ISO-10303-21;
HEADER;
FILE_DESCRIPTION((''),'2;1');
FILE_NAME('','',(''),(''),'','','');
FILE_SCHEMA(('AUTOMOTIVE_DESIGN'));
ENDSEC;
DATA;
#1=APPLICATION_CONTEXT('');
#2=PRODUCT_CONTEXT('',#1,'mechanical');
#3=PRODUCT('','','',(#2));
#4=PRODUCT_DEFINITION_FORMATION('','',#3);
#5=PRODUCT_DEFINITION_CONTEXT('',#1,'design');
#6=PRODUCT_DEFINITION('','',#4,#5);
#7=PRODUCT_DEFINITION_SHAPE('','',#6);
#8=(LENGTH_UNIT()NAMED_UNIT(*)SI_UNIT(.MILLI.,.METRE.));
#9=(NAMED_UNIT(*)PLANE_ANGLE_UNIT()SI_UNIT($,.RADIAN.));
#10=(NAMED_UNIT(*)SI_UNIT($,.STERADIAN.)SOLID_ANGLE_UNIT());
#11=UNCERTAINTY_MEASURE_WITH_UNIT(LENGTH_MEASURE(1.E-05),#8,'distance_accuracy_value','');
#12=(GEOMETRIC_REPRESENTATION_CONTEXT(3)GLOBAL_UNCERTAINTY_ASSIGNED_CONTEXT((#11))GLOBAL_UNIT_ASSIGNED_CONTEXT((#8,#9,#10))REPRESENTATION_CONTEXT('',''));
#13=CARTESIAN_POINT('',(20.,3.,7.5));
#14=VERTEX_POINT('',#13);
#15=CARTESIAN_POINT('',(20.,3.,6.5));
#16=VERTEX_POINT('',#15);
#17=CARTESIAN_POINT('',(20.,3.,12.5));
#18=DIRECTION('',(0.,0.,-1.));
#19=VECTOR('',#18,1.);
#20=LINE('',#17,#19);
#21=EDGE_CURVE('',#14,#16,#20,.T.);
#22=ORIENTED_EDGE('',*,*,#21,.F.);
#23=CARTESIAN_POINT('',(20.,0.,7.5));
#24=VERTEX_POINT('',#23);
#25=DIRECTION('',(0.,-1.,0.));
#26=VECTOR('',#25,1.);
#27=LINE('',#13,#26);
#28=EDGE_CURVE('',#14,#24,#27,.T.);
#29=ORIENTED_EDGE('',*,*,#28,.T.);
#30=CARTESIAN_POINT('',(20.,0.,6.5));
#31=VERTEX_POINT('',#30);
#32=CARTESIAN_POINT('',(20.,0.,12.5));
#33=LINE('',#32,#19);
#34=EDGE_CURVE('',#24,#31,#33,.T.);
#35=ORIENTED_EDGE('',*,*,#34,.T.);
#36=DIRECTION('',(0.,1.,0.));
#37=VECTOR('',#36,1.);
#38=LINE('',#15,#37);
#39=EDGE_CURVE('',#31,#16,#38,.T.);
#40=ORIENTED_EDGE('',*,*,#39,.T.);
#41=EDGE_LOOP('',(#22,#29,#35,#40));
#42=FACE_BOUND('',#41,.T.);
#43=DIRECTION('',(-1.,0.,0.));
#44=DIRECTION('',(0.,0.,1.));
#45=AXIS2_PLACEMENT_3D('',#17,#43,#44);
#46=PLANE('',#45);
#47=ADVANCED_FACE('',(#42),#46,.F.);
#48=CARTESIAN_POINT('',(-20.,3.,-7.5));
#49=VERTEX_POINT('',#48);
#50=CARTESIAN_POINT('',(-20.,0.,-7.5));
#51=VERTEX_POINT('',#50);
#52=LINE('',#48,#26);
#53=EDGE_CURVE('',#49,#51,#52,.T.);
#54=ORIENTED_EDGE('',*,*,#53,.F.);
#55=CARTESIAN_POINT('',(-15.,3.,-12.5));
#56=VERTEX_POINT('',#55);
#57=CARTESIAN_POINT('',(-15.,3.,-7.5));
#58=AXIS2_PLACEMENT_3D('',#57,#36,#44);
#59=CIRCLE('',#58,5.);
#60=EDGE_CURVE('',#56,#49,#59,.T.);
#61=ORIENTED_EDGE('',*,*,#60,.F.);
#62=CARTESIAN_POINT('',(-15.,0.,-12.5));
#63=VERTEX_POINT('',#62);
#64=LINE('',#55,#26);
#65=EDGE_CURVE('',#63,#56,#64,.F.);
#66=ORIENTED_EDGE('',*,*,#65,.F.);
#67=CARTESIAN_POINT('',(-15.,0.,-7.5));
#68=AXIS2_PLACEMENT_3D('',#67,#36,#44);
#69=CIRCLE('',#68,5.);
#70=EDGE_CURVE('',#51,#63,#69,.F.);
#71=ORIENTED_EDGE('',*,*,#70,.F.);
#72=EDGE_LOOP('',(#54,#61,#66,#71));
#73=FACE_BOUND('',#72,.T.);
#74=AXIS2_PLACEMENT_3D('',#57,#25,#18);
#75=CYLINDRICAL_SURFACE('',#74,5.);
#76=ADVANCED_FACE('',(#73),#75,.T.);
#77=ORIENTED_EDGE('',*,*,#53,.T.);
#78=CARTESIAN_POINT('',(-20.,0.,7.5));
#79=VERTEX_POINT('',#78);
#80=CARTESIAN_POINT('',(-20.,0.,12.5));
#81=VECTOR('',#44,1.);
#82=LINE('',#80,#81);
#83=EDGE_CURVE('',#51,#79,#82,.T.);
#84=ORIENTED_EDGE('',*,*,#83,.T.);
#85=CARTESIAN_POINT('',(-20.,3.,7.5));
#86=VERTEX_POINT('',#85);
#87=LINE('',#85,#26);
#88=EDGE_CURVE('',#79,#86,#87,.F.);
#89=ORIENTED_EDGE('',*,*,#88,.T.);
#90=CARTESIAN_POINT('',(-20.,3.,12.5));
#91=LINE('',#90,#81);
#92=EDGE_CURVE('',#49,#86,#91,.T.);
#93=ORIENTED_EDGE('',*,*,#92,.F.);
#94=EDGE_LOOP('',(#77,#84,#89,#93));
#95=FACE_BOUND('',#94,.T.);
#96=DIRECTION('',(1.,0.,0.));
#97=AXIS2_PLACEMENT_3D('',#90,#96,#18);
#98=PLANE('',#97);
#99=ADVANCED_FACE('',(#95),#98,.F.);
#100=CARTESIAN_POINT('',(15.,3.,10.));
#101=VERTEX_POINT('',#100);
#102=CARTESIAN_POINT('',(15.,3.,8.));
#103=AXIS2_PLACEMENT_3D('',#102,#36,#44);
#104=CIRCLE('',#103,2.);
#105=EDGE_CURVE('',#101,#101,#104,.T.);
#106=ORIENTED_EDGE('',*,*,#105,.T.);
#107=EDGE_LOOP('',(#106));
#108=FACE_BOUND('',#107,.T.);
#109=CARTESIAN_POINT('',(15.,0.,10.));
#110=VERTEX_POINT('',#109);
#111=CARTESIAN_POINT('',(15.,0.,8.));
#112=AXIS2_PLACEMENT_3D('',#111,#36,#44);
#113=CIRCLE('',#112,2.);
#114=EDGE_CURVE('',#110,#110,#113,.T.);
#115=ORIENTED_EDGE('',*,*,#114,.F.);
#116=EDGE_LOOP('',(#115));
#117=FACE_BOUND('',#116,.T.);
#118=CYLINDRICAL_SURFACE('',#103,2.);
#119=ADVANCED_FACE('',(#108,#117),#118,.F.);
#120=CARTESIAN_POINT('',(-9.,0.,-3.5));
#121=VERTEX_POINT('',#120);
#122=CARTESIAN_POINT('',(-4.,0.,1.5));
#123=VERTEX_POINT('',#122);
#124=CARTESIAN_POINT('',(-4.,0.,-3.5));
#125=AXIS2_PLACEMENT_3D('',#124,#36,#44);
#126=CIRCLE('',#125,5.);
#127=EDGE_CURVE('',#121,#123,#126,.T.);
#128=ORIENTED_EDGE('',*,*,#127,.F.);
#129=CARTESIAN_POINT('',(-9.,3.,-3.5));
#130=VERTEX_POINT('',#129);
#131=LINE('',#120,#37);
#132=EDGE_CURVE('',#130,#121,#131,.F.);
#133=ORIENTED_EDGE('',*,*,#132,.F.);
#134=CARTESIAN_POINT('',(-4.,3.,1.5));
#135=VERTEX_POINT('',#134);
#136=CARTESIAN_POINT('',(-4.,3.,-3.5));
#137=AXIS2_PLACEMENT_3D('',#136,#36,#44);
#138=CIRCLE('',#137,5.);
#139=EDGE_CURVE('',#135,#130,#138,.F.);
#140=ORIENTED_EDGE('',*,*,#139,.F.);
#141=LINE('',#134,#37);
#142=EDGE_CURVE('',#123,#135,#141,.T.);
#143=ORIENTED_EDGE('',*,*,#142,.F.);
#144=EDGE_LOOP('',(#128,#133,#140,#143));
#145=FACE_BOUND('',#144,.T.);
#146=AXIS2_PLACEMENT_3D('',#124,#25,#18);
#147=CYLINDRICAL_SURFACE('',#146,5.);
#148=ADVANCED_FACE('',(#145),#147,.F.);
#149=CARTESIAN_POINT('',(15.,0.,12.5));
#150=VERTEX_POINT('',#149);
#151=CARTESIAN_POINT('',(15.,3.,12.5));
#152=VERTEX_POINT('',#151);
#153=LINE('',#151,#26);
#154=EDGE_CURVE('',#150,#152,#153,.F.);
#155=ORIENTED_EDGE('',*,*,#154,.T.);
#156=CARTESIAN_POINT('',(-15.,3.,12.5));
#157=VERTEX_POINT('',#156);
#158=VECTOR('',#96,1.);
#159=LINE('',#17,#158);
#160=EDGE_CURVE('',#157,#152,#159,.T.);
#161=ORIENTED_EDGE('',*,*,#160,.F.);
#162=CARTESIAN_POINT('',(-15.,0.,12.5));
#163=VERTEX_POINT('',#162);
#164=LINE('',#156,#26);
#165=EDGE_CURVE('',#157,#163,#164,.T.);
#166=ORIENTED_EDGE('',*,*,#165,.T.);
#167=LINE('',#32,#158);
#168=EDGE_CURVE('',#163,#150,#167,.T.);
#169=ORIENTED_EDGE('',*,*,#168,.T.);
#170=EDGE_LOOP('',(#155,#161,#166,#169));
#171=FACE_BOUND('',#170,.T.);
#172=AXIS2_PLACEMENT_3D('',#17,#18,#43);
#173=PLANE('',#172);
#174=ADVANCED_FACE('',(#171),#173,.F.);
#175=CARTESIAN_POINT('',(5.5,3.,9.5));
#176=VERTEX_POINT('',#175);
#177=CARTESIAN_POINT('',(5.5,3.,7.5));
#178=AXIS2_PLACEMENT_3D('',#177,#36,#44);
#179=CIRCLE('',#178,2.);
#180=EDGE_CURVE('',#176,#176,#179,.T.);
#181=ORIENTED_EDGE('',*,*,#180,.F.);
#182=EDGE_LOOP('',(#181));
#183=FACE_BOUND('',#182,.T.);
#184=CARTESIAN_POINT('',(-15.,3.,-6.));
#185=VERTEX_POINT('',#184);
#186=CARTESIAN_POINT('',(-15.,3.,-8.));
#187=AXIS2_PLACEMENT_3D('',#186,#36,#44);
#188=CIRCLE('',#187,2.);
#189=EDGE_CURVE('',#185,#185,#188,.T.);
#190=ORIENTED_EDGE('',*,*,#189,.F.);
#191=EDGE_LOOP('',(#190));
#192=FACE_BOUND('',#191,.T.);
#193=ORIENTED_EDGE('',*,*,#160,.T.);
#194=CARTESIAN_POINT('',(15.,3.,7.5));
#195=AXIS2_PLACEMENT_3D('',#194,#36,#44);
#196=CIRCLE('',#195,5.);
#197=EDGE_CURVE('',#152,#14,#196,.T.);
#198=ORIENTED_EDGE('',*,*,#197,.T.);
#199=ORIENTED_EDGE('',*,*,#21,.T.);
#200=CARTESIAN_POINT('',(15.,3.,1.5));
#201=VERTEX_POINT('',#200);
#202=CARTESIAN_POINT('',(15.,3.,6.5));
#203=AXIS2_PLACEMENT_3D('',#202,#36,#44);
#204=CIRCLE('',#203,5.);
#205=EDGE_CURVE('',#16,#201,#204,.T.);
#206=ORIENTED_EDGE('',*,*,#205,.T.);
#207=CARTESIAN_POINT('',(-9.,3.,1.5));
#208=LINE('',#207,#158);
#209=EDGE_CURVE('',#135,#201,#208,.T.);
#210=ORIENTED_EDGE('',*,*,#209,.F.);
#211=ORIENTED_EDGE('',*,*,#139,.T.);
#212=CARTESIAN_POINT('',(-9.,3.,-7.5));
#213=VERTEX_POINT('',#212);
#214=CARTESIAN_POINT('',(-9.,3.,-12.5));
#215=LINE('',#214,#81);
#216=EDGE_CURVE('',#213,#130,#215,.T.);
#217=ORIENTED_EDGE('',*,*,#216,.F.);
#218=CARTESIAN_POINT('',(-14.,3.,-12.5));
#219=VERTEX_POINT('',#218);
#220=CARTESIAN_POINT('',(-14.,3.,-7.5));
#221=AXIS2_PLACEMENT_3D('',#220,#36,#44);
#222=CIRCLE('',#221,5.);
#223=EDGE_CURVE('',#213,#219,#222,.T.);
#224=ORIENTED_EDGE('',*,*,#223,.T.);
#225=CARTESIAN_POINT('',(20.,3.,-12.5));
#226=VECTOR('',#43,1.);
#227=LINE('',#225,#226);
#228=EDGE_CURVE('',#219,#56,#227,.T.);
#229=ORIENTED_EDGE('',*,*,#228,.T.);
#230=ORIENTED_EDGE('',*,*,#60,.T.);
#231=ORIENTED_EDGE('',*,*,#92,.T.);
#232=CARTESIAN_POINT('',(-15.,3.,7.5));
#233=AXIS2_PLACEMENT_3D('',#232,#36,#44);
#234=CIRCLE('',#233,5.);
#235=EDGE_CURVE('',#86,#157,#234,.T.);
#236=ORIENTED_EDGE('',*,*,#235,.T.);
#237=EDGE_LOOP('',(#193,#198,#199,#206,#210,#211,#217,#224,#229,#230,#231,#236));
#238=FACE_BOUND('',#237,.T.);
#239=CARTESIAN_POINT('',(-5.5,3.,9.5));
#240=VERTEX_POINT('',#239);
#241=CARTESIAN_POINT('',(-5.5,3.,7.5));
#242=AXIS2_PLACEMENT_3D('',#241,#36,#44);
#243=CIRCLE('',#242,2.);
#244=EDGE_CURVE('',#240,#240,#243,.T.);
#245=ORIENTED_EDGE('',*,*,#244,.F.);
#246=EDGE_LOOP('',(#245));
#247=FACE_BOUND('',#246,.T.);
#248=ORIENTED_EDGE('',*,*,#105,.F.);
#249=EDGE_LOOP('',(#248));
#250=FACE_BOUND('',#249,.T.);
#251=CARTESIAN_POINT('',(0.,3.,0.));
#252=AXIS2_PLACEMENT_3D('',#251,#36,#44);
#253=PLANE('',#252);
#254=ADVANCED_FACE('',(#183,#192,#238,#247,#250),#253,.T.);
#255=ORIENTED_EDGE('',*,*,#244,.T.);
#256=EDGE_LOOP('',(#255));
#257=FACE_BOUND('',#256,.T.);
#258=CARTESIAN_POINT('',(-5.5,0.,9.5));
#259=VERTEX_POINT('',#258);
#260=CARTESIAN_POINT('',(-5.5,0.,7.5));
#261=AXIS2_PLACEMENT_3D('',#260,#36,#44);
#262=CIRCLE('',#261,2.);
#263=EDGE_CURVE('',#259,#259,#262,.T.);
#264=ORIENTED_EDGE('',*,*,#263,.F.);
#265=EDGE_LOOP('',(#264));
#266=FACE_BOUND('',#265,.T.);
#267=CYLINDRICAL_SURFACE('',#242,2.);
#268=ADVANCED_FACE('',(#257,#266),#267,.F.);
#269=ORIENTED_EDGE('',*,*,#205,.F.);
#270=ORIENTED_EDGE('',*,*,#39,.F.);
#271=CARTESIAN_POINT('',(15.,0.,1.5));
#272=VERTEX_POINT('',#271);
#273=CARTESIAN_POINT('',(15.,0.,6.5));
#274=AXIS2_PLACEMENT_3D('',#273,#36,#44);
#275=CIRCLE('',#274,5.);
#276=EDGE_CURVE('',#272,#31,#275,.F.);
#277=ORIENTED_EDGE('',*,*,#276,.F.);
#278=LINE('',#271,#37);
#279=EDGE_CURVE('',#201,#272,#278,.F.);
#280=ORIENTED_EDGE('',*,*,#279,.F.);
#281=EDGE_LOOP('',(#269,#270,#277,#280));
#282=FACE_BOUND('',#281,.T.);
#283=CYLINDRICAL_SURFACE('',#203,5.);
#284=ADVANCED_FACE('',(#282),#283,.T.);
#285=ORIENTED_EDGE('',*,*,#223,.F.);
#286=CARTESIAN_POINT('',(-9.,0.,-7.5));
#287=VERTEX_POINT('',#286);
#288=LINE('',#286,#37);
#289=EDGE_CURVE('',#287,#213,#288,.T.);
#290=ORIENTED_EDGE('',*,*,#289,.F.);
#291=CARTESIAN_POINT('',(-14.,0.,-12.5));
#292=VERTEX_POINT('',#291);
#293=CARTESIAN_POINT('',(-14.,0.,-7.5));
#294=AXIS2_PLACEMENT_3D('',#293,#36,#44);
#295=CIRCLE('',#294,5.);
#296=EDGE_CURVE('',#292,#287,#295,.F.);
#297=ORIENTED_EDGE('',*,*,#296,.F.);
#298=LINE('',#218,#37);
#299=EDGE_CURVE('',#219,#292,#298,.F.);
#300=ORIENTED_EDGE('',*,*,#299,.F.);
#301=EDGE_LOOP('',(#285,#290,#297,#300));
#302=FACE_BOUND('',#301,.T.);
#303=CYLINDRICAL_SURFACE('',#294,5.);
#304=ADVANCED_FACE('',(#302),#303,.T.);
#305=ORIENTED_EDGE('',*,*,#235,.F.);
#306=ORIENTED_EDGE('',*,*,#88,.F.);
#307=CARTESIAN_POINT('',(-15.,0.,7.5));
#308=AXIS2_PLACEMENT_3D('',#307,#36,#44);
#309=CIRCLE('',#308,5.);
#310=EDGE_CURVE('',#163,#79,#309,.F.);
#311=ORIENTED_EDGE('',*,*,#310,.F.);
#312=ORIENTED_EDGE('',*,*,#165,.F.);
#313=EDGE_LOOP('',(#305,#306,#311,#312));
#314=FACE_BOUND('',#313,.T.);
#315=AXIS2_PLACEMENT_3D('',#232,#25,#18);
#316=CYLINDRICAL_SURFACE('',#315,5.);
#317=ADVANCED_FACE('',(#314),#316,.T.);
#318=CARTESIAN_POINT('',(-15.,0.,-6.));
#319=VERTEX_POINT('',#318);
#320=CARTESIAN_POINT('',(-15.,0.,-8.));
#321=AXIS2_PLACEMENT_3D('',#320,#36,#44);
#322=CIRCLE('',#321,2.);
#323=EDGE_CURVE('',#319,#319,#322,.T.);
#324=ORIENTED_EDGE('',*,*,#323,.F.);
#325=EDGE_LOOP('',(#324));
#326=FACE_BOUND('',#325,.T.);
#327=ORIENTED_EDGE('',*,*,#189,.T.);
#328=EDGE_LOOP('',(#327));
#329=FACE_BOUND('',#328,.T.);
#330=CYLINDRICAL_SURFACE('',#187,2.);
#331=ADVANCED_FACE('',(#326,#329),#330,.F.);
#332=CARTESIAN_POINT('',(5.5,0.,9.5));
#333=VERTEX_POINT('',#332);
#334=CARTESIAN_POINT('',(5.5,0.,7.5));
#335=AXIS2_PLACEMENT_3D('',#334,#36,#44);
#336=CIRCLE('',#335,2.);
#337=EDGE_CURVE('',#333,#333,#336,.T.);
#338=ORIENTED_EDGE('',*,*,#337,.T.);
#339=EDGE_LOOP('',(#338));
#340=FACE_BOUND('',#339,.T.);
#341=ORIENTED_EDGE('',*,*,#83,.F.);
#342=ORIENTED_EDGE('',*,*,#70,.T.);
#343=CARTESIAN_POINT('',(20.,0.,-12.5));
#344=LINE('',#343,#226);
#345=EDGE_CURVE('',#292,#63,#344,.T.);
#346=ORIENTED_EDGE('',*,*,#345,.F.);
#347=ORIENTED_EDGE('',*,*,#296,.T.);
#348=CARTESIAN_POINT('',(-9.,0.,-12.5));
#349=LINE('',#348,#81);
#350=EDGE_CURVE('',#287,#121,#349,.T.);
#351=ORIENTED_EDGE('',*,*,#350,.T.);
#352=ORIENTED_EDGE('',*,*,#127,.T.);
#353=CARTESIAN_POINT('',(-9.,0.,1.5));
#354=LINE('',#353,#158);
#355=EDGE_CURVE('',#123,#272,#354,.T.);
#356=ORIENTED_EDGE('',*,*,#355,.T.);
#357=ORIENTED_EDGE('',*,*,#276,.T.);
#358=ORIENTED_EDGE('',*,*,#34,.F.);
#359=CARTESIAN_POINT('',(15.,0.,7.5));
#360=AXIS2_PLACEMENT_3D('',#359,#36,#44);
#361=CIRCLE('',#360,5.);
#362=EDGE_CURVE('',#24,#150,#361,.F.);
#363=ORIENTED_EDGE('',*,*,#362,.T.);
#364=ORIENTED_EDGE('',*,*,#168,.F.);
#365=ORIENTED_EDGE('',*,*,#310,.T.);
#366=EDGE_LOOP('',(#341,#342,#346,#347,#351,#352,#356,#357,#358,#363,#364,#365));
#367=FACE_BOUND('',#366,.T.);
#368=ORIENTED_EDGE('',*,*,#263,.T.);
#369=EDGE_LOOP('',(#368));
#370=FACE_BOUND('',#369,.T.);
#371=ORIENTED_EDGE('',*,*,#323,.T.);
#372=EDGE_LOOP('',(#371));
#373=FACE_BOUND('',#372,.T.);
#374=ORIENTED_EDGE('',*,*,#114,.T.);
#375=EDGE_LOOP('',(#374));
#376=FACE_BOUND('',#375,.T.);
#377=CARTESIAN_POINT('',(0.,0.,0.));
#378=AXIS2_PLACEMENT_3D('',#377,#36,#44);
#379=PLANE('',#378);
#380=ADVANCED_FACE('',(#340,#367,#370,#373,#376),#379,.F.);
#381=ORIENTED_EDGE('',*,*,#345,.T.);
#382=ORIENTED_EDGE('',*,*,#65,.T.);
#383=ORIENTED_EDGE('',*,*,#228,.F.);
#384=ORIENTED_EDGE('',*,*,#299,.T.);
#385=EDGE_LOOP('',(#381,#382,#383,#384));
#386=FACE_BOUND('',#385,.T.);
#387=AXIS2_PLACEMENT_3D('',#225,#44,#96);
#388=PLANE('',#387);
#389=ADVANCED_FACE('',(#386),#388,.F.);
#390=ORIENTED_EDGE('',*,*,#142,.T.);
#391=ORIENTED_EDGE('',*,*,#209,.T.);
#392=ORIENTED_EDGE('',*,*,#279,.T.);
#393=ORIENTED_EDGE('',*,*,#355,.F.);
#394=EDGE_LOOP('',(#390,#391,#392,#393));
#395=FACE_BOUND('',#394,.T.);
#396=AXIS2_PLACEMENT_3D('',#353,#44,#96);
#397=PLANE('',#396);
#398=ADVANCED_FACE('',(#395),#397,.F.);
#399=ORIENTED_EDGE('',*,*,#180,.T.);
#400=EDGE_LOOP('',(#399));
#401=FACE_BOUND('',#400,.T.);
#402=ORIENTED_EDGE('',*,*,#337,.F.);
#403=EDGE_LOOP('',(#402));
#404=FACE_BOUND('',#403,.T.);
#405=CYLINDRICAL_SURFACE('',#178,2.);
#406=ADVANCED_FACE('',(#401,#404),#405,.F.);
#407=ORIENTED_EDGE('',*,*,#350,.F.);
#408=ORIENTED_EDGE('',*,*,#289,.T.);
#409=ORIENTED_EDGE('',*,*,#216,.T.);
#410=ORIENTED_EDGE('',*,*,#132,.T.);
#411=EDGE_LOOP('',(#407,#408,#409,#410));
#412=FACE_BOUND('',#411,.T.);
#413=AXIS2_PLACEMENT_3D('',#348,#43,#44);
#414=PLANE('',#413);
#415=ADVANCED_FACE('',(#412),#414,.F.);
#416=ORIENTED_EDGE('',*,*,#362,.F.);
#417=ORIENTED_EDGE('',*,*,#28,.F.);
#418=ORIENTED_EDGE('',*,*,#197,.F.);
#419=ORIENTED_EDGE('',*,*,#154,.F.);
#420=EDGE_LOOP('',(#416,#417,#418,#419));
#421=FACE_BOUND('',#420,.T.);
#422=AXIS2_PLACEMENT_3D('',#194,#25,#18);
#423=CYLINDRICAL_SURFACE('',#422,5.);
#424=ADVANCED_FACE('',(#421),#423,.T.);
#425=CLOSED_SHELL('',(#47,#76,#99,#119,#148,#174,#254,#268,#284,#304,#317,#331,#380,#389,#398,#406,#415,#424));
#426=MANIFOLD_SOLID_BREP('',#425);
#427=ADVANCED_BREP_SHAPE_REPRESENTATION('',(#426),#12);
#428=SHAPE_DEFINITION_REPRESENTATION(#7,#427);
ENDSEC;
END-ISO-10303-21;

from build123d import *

# Parameters (mm, degrees)
SKETCH1_W                = 40
SKETCH1_H                = 25
BOSS_EXTRUDE1_DEPTH      = 3
F_4_0_4_DIAMETER_HOLE1_D = 4
F_4_0_4_DIAMETER_HOLE2_D = 4
SKETCH10_W               = 29
SKETCH10_H               = 14
CUT_EXTRUDE2_DEPTH       = 3
FILLET2_R                = 5


with BuildPart() as part:
    # Sketch1 → Boss-Extrude1 (new body)
    with BuildSketch(Plane(origin=(0, 0, 0), x_dir=(1, 0, 0), z_dir=(0, 1, 0))):
        Rectangle(SKETCH1_W, SKETCH1_H)
    extrude(amount=BOSS_EXTRUDE1_DEPTH)

    # Ø4.0 (4) Diameter Hole1 (through all)
    with Locations(Plane(origin=(0, 3, 0), x_dir=(1, 0, 0), z_dir=(0, 1, 0))):
        with Locations((-15, 8), (15, -8)):
            Hole(F_4_0_4_DIAMETER_HOLE1_D / 2)

    # Ø4.0 (4) Diameter Hole2 (through all)
    with Locations(Plane(origin=(0, 3, 0), x_dir=(1, 0, 0), z_dir=(0, 1, 0))):
        with Locations((-5.5, -7.5), (5.5, -7.5)):
            Hole(F_4_0_4_DIAMETER_HOLE2_D / 2)

    # Sketch10 → Cut-Extrude2 (cut)
    with BuildSketch(Plane(origin=(0, 3, 0), x_dir=(1, 0, 0), z_dir=(0, 1, 0))):
        with Locations((5.5, 5.5)):
            Rectangle(SKETCH10_W, SKETCH10_H)
    extrude(amount=-CUT_EXTRUDE2_DEPTH, mode=Mode.SUBTRACT)

    # Fillet2
    fillet2_edges = [part.edges().sort_by_distance(p)[0] for p in [
        (-9, 1.5, -12.5),
        (20, 1.5, 1.5),
        (-9, 1.5, 1.5),
        (-20, 1.5, -12.5),
        (20, 1.5, 12.5),
        (-20, 1.5, 12.5),
    ]]
    fillet(fillet2_edges, radius=FILLET2_R)


solid = part.part
